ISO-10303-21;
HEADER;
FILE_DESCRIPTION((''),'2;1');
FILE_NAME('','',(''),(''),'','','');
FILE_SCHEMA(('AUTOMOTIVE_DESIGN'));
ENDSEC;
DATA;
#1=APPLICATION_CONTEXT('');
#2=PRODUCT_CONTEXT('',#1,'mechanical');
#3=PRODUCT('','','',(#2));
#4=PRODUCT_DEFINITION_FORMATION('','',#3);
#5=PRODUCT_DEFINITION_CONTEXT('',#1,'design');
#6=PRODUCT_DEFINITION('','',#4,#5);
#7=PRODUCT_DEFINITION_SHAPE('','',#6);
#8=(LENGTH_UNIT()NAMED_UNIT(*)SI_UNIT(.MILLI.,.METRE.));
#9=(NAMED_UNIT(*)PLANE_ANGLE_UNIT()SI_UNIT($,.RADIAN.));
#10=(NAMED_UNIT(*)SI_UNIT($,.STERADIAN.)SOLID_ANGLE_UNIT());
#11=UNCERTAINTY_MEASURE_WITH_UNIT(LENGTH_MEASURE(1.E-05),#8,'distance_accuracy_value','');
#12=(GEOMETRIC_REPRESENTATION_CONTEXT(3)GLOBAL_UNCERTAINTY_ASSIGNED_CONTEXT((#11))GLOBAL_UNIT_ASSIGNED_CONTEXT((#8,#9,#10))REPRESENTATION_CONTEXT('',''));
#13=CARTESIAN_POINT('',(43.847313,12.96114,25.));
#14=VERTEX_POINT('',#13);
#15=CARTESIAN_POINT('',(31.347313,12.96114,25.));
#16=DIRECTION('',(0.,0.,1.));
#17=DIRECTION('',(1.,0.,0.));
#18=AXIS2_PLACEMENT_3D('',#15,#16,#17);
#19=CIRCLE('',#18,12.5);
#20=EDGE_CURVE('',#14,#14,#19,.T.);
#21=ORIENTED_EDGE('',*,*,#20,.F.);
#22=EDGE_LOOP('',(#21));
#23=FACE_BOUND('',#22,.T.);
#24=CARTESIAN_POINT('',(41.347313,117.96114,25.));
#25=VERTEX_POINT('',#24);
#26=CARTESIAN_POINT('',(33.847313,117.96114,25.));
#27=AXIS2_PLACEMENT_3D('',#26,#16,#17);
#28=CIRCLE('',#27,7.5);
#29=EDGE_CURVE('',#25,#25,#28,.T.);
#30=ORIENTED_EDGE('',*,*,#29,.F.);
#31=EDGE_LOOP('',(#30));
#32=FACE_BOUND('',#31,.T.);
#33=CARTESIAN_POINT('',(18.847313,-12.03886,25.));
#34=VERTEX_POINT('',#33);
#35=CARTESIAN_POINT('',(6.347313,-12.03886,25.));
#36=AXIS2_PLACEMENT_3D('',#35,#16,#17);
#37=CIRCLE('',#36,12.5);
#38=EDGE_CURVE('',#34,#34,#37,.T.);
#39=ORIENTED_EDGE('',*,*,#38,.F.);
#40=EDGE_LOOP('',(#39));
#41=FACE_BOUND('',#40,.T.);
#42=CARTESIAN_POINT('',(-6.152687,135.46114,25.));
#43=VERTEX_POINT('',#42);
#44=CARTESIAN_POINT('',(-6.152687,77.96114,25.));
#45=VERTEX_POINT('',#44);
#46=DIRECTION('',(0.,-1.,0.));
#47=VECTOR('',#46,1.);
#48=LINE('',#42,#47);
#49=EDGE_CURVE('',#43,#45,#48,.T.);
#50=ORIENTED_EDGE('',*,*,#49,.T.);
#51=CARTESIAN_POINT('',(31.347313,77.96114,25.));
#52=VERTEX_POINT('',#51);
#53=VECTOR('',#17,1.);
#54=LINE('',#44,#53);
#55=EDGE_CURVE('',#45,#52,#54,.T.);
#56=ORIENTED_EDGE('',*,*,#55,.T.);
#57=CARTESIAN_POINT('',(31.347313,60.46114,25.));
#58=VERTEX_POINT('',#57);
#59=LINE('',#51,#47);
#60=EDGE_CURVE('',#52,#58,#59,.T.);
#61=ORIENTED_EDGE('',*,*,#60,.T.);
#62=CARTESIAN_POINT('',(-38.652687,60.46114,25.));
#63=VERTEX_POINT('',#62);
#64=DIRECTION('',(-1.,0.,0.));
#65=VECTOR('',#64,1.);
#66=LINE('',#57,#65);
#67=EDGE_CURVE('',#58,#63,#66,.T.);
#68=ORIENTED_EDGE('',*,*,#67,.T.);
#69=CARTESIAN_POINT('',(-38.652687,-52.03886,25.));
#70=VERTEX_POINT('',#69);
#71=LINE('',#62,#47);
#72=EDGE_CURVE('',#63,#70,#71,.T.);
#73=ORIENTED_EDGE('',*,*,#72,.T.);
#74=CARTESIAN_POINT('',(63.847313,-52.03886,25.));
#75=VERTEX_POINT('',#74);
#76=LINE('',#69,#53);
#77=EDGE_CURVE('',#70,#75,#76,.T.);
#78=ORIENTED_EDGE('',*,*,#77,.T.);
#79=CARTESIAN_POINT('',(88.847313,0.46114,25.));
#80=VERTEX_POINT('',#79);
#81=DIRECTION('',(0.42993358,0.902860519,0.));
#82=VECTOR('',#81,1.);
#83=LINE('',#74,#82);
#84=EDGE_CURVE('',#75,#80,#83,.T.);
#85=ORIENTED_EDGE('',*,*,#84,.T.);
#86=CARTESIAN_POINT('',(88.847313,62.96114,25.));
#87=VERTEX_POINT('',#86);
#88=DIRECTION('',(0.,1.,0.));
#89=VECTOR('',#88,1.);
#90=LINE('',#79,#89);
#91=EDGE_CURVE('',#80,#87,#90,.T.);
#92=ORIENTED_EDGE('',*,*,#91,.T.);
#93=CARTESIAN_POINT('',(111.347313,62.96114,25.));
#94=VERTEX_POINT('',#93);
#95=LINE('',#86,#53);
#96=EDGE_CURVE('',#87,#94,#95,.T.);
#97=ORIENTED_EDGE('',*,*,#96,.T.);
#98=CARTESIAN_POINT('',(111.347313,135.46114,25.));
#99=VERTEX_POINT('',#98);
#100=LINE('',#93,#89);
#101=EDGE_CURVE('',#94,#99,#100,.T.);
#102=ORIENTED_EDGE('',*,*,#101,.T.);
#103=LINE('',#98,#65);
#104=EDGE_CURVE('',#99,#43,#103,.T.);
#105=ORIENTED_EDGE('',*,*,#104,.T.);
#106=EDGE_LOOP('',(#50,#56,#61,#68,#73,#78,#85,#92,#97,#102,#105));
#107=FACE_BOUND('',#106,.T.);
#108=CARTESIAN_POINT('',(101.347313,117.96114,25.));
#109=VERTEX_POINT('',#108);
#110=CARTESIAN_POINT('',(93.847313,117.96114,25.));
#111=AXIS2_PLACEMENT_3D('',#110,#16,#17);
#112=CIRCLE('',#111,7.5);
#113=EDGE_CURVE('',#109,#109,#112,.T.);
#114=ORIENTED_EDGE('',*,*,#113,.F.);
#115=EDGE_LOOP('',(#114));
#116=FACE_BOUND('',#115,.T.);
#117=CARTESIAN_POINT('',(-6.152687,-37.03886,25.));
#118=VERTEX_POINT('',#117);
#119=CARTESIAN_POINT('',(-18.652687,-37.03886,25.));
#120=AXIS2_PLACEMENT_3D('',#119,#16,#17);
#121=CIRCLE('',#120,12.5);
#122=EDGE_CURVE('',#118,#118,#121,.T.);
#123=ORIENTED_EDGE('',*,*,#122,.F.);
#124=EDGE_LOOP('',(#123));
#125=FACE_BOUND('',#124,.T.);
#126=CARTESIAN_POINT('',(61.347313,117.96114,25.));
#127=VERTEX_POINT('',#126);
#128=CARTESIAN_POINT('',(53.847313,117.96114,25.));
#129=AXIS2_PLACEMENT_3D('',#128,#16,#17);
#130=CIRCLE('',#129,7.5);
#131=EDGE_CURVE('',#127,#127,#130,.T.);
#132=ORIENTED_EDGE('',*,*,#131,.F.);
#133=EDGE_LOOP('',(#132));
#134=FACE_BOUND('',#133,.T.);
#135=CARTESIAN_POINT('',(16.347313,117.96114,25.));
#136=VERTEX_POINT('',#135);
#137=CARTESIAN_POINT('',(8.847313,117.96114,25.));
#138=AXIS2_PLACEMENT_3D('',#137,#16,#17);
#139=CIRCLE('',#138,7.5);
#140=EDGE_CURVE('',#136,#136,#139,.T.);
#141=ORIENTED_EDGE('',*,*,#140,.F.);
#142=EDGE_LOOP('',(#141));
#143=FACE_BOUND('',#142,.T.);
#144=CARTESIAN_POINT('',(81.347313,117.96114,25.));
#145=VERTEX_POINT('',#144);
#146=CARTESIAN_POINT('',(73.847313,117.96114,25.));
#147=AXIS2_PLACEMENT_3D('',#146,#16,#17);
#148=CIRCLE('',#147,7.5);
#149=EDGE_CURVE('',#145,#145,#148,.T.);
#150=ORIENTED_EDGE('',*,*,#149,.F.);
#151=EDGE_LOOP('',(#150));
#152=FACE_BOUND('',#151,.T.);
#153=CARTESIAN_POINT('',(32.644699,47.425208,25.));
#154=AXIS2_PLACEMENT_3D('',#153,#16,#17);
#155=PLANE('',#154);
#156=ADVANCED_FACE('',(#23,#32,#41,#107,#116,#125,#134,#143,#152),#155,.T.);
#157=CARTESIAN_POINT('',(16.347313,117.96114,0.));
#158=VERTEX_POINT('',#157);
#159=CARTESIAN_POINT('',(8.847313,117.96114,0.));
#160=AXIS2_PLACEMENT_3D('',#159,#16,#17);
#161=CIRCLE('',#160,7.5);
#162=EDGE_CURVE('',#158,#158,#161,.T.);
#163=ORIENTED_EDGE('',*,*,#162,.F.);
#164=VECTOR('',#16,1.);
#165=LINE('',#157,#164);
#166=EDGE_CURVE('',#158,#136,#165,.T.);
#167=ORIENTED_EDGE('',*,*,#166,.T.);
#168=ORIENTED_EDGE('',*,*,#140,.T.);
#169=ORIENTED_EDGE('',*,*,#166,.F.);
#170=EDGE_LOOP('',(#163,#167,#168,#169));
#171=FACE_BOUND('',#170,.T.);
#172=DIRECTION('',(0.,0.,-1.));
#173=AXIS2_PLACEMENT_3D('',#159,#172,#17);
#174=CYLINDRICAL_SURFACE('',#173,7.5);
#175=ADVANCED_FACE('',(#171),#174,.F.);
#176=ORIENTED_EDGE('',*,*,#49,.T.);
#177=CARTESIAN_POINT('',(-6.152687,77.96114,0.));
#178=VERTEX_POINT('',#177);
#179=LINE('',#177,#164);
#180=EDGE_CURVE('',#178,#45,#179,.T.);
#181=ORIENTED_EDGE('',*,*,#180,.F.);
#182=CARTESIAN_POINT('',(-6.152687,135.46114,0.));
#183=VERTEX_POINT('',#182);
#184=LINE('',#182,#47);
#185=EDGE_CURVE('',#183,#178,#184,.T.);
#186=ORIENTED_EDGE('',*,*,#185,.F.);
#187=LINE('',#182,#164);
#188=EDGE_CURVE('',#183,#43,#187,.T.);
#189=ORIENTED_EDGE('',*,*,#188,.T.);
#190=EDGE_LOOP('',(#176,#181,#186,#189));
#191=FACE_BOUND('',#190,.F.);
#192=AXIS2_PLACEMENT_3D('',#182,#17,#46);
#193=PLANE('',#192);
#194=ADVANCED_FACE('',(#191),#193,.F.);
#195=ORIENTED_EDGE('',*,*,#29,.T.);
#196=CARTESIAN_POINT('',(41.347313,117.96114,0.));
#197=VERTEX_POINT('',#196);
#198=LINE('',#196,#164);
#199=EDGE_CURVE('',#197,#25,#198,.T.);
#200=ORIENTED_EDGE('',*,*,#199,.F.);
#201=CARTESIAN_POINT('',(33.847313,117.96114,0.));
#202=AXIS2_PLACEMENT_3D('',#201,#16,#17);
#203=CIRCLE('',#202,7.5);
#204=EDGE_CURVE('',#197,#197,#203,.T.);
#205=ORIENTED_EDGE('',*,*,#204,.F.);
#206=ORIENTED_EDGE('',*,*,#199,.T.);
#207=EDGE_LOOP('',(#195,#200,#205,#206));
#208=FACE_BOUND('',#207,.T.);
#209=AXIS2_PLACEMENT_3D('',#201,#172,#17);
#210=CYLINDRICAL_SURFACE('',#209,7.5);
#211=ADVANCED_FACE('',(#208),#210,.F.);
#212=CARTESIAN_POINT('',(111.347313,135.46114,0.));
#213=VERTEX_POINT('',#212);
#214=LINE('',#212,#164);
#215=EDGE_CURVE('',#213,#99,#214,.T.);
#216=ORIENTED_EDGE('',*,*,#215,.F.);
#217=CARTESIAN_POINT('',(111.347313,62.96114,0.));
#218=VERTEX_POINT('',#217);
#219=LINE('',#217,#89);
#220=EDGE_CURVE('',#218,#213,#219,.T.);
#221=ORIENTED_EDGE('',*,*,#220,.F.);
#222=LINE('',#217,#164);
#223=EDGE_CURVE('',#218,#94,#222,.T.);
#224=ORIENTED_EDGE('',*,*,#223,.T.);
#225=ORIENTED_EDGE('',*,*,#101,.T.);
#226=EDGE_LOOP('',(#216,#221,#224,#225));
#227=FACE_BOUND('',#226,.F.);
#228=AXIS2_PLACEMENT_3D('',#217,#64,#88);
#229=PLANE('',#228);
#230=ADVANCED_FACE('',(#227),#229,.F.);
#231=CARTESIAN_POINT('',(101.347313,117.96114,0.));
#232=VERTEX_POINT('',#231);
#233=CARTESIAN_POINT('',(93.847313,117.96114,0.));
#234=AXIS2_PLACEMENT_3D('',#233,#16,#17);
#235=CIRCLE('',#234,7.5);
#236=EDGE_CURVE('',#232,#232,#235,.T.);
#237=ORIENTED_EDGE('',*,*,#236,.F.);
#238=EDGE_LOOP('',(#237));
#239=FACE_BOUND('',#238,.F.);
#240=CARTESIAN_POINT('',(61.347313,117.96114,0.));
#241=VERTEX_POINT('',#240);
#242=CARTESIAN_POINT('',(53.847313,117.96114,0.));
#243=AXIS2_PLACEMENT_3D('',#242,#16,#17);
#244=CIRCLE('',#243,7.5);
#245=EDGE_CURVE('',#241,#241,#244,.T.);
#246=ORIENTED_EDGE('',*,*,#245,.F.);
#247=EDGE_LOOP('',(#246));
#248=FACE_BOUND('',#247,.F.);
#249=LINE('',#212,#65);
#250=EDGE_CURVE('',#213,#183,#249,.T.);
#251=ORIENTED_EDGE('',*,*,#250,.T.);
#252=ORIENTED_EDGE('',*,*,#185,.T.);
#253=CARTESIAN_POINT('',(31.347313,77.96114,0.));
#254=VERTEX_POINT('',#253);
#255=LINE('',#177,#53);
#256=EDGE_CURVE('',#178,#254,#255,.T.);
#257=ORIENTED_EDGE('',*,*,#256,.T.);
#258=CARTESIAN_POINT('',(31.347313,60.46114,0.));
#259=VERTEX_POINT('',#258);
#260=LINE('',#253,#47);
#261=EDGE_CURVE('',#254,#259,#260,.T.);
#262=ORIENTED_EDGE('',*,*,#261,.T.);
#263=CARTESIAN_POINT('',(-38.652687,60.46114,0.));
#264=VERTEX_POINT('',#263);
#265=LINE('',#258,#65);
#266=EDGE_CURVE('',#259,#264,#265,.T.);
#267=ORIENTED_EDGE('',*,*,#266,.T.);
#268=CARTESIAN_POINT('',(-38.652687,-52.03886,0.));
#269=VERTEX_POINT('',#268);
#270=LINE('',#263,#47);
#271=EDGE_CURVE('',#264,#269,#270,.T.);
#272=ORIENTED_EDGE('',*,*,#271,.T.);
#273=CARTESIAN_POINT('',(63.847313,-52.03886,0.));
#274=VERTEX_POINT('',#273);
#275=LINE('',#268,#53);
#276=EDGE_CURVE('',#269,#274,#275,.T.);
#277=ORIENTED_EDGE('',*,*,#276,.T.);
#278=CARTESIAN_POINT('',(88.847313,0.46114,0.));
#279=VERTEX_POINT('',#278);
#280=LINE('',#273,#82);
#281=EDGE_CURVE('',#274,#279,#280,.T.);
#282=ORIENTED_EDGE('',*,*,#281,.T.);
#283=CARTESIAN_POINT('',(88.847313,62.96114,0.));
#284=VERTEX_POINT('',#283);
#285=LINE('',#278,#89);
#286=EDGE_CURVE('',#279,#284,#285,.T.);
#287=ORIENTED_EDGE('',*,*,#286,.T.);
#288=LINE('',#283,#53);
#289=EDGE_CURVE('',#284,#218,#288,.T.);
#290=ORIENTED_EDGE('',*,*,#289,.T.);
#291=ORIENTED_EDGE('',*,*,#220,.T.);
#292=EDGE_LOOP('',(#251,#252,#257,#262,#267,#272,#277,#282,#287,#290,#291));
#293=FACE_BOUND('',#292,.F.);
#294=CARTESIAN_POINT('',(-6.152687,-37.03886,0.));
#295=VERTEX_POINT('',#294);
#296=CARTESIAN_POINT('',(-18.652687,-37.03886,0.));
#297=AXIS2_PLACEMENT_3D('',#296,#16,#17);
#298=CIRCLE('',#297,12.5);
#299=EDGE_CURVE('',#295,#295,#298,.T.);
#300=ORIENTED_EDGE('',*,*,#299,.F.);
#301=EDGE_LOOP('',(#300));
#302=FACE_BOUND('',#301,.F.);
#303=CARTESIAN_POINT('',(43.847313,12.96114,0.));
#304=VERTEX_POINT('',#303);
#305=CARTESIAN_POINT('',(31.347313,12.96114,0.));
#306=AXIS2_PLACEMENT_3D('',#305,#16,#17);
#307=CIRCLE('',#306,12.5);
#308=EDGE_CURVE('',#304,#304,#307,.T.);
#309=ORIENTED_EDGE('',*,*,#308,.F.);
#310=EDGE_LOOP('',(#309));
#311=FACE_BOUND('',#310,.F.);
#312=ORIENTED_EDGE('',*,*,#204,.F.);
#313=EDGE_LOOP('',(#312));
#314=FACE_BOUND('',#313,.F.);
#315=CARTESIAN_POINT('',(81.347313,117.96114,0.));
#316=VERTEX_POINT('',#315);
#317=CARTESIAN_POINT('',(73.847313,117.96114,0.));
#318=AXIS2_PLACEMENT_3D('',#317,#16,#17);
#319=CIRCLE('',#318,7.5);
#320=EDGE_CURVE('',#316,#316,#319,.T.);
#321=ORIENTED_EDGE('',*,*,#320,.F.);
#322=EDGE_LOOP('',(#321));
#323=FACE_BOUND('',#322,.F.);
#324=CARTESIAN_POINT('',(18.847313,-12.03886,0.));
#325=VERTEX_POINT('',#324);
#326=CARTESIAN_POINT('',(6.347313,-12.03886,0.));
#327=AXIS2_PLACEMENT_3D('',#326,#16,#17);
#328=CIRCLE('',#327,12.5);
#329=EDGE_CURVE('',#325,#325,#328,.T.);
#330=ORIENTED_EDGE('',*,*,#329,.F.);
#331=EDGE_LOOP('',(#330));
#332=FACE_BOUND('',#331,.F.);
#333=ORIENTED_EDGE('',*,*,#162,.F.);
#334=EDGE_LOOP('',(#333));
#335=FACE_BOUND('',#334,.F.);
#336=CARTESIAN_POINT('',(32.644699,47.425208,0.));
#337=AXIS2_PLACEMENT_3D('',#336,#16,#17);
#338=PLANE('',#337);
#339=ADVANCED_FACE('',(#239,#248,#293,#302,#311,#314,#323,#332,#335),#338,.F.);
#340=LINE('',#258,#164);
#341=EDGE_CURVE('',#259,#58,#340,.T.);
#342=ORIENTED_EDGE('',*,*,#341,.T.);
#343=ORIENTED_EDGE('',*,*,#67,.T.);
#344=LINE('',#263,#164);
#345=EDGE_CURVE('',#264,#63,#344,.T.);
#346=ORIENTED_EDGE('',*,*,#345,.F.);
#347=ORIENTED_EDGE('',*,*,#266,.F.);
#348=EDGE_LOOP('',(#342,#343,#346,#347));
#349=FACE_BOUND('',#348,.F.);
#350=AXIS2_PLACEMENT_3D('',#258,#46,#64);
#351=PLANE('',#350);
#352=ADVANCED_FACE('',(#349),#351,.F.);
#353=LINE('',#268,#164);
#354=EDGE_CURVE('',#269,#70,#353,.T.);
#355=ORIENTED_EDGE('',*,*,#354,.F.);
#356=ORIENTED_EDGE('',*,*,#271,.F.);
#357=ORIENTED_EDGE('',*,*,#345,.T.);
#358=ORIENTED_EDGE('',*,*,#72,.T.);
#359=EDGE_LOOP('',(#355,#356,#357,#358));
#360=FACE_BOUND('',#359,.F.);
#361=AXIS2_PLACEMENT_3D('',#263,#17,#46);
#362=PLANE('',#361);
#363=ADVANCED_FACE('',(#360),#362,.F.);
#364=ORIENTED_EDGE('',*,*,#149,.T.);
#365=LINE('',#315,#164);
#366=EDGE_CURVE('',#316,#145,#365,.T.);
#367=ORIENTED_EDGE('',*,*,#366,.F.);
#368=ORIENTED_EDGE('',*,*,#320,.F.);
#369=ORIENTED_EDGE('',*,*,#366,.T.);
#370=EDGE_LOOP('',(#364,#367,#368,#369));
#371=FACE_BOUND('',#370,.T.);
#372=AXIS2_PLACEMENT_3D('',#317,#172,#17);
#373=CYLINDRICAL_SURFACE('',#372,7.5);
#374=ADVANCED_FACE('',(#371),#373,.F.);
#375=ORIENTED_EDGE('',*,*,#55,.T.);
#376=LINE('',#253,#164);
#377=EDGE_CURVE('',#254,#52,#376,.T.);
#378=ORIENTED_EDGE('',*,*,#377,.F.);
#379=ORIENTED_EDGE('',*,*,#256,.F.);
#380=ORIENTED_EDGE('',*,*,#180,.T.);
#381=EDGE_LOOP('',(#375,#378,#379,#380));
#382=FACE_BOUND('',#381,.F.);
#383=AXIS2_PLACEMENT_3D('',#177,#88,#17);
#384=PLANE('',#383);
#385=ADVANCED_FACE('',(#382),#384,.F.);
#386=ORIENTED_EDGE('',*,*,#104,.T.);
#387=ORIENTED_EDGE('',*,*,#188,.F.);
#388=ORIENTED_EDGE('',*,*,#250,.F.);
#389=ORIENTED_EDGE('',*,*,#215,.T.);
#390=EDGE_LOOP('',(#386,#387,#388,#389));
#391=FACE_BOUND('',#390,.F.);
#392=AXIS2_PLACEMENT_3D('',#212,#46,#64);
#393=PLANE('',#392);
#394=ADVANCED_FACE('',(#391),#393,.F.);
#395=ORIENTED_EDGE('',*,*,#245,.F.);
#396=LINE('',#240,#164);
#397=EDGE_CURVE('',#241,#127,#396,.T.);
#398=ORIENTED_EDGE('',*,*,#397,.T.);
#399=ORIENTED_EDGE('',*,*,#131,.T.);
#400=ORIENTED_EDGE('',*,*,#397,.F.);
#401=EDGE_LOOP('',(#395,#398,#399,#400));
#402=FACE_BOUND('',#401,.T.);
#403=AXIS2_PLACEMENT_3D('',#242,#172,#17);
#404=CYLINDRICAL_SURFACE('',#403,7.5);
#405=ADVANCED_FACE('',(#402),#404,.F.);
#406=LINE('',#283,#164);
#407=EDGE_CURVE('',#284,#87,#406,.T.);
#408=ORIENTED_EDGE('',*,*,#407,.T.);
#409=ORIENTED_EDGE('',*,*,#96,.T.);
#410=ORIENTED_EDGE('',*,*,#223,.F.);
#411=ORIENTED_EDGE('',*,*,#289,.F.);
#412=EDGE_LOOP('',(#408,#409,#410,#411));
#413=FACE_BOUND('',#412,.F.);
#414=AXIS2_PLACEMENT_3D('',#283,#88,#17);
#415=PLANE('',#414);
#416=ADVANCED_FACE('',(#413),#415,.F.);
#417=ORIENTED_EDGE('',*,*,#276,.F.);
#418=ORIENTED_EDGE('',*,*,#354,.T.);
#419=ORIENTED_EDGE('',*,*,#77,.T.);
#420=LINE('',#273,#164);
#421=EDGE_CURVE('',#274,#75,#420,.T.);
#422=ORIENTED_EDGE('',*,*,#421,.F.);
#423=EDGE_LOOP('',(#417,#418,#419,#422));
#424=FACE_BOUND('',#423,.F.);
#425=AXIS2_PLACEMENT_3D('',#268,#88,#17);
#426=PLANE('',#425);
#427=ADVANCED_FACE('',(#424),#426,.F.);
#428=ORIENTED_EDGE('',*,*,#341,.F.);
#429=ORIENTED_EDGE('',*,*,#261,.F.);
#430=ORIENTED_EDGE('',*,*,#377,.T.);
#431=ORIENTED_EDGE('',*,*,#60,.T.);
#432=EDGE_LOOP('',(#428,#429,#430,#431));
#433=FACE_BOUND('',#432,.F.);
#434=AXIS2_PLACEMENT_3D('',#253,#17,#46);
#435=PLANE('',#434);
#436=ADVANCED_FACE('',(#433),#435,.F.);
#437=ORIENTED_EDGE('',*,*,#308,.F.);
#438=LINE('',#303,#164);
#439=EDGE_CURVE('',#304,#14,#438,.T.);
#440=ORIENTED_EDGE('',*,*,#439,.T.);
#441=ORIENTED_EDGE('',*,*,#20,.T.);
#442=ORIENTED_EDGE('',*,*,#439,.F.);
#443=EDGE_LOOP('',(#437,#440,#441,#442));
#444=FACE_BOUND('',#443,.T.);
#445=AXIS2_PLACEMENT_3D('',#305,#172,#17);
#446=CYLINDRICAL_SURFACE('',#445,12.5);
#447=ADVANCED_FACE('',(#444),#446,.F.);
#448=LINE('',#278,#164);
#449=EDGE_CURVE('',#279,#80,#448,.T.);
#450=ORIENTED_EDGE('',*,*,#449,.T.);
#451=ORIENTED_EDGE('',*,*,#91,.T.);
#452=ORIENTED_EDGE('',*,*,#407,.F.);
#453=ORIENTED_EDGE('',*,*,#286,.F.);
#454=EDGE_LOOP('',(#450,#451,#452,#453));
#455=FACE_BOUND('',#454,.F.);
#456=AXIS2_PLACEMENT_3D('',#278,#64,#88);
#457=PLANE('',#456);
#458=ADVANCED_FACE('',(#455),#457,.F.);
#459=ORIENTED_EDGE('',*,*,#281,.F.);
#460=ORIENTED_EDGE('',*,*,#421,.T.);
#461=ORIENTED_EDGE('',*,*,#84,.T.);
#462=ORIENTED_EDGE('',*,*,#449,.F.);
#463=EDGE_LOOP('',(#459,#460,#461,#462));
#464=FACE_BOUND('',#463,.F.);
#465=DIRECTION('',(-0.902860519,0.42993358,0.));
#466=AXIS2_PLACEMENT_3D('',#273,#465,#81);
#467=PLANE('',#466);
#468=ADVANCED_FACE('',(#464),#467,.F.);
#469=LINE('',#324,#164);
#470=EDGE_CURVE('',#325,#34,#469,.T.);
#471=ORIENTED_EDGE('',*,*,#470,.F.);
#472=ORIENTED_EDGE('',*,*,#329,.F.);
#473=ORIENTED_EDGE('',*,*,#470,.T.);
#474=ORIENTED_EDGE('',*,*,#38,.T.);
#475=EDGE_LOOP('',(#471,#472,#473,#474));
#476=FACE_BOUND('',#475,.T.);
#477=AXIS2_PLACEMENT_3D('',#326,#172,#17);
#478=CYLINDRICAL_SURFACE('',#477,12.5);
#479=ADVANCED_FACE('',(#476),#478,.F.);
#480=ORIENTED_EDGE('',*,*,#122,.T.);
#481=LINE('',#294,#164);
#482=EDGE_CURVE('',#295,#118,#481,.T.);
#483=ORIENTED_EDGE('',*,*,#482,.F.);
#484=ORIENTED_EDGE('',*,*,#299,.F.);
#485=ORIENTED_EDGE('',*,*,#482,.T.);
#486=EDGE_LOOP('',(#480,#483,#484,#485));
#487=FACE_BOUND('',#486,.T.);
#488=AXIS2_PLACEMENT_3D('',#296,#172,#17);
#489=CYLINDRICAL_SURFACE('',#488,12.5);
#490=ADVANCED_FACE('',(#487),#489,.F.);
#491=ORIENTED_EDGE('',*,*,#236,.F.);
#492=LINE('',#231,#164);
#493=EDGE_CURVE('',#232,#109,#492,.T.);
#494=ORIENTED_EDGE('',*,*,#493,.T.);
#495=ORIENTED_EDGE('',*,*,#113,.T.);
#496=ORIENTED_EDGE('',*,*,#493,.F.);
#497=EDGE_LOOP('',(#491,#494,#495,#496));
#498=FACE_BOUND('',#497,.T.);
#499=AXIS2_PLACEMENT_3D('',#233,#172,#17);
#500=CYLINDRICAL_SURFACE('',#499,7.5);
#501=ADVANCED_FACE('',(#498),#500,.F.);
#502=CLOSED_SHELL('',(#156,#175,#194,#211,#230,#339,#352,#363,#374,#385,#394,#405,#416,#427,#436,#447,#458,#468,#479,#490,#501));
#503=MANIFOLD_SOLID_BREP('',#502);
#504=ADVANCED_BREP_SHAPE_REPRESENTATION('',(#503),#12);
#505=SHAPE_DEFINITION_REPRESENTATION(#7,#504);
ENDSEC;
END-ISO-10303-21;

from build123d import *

# Parameters (mm, degrees)
F0_R     = 12.5
F0_R_2   = 7.5
F1_DEPTH = 25


with BuildPart() as f1:
    # F0 (on Top) → F1 (new body)
    with BuildSketch(Plane.XY):
        Polygon((-38.652687, -37.03886), (-38.652687, -52.03886), (-18.652687, -52.03886), (6.347313, -52.03886), (31.347313, -52.03886), (63.847313, -52.03886), (88.847313, 0.46114), (88.847313, 62.96114), (111.347313, 62.96114), (111.347313, 117.96114), (111.347313, 135.46114), (-6.152687, 135.46114), (-6.152687, 77.96114), (31.347313, 77.96114), (31.347313, 60.46114), (-38.652687, 60.46114), (-38.652687, 12.96114), (-38.652687, -12.03886), align=None)
        with Locations((-18.652687, -37.03886)):
            Circle(F0_R, mode=Mode.SUBTRACT)
        with Locations((6.347313, -12.03886)):
            Circle(F0_R, mode=Mode.SUBTRACT)
        with Locations((31.347313, 12.96114)):
            Circle(F0_R, mode=Mode.SUBTRACT)
        with Locations((8.847313, 117.96114)):
            Circle(F0_R_2, mode=Mode.SUBTRACT)
        with Locations((33.847313, 117.96114)):
            Circle(F0_R_2, mode=Mode.SUBTRACT)
        with Locations((53.847313, 117.96114)):
            Circle(F0_R_2, mode=Mode.SUBTRACT)
        with Locations((73.847313, 117.96114)):
            Circle(F0_R_2, mode=Mode.SUBTRACT)
        with Locations((93.847313, 117.96114)):
            Circle(F0_R_2, mode=Mode.SUBTRACT)
    extrude(amount=F1_DEPTH)


solid = f1.part
